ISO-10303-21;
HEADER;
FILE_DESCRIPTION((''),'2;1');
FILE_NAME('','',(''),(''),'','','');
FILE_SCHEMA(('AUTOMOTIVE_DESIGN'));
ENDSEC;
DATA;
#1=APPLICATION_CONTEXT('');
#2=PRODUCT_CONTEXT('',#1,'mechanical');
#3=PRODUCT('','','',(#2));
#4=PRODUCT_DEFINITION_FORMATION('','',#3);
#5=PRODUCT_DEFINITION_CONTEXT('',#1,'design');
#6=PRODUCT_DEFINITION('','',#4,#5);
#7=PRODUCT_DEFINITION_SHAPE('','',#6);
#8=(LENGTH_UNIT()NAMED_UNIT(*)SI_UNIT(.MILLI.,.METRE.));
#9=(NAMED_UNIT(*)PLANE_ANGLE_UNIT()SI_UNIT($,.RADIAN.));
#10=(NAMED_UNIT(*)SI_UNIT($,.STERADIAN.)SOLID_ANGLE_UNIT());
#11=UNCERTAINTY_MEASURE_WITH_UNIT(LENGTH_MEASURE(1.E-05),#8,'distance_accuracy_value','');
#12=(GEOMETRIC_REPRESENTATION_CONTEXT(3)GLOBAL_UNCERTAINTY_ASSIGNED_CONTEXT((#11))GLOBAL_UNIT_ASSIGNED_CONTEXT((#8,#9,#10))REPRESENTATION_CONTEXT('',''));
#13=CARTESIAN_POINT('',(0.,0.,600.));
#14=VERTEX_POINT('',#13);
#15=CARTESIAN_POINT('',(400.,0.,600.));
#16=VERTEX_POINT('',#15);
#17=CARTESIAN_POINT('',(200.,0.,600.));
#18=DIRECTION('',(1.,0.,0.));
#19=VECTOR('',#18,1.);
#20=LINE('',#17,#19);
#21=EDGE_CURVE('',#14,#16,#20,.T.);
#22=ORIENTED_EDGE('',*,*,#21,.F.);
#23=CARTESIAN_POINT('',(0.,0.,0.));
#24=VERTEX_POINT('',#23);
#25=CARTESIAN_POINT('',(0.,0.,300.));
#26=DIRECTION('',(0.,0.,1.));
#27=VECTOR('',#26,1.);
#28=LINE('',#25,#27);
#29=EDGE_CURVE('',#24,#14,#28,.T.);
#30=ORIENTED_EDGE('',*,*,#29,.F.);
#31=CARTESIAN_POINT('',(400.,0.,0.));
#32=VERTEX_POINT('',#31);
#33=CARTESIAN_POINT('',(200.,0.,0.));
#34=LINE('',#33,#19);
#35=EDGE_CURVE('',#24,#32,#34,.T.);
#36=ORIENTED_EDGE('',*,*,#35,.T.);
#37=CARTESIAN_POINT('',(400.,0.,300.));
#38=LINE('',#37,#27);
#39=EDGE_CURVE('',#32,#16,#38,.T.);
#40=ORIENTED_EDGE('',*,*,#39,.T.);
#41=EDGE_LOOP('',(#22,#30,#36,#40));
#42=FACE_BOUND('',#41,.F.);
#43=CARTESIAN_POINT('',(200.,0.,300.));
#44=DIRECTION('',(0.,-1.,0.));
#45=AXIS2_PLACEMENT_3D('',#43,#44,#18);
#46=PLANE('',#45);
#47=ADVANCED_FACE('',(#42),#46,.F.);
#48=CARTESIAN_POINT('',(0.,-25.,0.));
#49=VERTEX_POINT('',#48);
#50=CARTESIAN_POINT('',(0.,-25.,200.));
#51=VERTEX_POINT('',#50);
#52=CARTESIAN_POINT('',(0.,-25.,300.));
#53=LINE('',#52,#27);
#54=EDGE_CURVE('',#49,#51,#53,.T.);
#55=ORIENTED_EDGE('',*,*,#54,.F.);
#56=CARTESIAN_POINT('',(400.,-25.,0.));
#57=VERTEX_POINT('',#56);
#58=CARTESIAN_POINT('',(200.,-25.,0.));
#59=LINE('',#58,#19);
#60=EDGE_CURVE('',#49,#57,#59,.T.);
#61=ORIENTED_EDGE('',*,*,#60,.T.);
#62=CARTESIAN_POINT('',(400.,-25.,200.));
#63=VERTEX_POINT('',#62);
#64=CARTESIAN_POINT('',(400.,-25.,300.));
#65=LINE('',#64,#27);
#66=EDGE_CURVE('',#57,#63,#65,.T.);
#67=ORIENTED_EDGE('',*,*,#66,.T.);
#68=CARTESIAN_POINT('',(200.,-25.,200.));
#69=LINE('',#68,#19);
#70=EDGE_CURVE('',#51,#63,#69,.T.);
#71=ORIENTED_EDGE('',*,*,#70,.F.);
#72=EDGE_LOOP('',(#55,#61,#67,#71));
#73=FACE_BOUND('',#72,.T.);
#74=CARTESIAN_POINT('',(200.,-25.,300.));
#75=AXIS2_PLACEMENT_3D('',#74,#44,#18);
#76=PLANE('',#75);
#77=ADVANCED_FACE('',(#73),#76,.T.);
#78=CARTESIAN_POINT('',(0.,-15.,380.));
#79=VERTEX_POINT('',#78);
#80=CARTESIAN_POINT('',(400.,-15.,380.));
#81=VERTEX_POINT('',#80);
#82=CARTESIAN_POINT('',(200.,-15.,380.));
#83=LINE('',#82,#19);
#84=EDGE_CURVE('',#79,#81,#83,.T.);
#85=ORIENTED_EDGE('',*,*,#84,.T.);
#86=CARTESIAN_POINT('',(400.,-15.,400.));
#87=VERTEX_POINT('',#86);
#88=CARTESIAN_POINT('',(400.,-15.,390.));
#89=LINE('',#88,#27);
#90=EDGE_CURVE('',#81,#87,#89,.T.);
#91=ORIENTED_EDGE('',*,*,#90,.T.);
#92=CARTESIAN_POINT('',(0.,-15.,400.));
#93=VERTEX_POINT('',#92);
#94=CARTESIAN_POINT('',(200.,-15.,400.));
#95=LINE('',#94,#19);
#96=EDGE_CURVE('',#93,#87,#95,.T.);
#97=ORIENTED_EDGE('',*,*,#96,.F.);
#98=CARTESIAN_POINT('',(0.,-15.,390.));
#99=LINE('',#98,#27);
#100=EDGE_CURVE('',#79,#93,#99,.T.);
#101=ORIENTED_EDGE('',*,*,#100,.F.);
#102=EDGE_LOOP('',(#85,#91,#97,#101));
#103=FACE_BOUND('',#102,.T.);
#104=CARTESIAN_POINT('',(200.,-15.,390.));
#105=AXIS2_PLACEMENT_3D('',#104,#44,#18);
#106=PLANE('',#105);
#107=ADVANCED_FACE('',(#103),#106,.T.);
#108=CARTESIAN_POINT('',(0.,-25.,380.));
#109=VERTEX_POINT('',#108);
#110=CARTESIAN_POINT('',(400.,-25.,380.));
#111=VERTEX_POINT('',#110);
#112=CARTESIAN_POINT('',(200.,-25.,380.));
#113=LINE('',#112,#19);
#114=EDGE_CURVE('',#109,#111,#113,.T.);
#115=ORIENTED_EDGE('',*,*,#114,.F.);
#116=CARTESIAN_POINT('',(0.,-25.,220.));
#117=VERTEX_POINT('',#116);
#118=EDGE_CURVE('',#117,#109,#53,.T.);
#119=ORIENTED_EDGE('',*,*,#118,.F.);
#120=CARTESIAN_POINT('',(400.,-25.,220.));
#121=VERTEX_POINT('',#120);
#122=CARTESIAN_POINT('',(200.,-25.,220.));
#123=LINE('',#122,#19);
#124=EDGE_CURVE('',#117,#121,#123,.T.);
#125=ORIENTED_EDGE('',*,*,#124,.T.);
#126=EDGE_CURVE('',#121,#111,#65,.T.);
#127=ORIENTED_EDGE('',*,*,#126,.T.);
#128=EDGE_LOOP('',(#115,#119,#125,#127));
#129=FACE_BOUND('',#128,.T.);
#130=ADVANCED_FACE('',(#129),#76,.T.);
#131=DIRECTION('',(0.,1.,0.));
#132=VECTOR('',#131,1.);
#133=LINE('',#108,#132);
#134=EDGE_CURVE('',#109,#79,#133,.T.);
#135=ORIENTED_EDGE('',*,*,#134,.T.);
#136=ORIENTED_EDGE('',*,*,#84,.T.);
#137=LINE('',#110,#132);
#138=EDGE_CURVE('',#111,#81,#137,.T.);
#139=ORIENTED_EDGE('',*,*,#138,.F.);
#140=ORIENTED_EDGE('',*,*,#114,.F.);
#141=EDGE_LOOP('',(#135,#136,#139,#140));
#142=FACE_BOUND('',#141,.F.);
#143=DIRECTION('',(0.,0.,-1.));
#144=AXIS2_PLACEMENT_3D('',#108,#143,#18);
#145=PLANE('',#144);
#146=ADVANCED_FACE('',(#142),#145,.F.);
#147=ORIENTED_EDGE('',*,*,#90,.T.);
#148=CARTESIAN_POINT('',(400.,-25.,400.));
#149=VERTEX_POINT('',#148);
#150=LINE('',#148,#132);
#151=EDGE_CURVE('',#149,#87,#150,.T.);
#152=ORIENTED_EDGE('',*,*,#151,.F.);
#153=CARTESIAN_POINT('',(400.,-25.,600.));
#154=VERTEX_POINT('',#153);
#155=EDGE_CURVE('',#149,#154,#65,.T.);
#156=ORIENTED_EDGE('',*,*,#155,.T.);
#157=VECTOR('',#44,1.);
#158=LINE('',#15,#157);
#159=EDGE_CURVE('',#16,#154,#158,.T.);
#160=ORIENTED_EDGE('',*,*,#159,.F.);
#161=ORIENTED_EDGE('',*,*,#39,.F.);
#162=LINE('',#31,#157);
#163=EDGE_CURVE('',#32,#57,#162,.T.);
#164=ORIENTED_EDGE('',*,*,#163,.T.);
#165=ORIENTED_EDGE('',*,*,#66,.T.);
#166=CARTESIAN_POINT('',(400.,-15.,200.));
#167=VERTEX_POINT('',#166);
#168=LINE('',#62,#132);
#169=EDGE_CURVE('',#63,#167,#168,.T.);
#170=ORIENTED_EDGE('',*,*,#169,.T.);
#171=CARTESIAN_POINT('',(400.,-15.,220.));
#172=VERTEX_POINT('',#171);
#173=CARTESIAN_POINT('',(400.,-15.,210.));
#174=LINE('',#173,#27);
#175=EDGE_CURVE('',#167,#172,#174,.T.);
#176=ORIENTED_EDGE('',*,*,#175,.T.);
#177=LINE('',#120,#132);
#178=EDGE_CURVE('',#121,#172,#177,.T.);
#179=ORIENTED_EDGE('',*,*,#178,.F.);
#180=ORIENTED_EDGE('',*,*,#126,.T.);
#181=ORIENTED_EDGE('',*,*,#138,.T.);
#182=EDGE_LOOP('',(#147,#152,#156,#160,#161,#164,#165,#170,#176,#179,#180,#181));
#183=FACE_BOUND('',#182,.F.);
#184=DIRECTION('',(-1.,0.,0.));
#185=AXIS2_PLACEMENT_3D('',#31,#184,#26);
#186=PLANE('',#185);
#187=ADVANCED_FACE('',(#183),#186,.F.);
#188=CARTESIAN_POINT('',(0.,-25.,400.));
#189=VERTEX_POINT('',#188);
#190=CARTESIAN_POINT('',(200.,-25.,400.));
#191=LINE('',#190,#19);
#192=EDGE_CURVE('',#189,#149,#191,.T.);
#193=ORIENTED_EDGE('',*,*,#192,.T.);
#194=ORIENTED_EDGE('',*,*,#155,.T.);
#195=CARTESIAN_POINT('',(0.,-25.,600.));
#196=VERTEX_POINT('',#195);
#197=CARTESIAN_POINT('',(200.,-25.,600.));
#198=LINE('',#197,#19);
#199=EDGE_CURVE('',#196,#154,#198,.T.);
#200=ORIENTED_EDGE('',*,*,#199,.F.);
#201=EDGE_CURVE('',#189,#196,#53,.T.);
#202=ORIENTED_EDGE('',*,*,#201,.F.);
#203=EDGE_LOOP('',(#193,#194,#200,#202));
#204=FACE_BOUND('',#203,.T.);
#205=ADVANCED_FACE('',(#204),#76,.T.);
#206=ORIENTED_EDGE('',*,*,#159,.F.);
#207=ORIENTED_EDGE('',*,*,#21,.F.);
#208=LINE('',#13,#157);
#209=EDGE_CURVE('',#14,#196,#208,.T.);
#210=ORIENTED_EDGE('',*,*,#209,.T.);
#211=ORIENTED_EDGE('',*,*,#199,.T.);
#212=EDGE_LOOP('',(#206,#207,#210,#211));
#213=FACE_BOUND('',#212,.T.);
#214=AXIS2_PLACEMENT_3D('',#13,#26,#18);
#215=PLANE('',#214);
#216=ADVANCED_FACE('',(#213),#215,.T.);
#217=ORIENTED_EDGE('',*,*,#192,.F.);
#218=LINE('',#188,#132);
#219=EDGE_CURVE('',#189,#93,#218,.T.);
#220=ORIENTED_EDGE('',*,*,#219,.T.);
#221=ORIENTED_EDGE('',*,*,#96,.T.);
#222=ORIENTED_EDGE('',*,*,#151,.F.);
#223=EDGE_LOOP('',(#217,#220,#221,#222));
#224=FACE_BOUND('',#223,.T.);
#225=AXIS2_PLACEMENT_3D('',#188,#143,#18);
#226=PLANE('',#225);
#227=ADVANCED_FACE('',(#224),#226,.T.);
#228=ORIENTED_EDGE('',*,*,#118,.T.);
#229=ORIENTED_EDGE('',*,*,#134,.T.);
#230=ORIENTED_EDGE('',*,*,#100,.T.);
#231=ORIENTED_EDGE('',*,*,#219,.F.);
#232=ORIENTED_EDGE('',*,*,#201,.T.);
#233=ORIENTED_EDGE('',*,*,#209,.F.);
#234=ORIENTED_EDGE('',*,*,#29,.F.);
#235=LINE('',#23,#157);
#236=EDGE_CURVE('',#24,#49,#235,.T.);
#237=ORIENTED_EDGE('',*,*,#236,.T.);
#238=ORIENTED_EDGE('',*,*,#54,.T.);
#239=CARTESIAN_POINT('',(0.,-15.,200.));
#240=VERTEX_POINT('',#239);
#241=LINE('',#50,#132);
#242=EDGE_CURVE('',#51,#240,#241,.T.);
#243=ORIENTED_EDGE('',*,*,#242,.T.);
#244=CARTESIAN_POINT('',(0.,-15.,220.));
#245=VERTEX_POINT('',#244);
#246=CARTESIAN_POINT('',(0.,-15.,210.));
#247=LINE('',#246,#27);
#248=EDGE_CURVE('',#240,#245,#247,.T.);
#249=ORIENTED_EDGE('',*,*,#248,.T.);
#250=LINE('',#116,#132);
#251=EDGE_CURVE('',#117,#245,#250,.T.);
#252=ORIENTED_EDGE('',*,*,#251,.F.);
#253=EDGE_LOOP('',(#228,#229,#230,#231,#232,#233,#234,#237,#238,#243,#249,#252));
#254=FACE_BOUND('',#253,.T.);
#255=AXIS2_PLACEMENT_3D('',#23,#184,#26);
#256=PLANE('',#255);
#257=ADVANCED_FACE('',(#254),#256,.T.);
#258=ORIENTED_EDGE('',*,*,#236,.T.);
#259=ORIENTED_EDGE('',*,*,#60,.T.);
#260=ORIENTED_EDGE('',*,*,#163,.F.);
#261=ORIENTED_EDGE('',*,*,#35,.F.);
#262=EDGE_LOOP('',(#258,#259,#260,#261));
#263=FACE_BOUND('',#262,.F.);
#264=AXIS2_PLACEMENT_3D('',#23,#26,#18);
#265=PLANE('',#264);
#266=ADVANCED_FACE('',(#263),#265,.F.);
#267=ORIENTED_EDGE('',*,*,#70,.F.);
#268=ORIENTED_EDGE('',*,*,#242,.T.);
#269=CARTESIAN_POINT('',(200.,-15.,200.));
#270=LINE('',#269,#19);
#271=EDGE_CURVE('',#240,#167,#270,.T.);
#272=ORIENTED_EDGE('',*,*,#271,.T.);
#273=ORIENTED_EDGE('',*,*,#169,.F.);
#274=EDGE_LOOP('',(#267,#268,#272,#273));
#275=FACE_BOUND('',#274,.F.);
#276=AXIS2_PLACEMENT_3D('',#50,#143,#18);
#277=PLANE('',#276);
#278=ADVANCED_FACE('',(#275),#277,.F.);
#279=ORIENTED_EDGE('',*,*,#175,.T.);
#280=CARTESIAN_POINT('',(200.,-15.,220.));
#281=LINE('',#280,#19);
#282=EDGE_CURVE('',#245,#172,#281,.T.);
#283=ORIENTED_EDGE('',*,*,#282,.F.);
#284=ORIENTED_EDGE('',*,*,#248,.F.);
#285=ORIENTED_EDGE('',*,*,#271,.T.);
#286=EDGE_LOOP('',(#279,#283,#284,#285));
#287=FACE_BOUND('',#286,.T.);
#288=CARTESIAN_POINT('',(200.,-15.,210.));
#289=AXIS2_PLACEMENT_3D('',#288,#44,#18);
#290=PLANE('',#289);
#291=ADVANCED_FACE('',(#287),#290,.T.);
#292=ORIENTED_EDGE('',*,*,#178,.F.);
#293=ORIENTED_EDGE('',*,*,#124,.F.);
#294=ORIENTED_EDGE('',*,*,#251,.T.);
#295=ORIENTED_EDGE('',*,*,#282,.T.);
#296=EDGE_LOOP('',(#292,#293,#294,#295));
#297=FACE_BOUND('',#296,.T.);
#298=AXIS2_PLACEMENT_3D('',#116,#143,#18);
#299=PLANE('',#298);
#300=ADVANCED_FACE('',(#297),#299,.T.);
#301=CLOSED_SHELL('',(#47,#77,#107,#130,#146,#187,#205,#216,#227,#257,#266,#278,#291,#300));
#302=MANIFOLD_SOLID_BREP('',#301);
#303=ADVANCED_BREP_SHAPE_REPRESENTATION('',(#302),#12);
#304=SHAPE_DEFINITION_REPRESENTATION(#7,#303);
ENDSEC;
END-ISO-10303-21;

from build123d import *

# Parameters (mm, degrees)
F0_W     = 400
F0_H     = 600
F1_DEPTH = 25
F2_W     = 400
F2_H     = 20
F3_DEPTH = 10


with BuildPart() as f1:
    # F0 (on Front) → F1 (new body)
    with BuildSketch(Plane.XZ):
        with Locations((200, 300)):
            Rectangle(F0_W, F0_H)
    extrude(amount=F1_DEPTH)

    # F2 (on face) → F3 (cut)
    with BuildSketch(Plane.XZ.offset(25)):
        with Locations((200, 390)):
            Rectangle(F2_W, F2_H)
        with Locations((200, 210)):
            Rectangle(F2_W, F2_H)
    extrude(amount=-F3_DEPTH, mode=Mode.SUBTRACT)


solid = f1.part
